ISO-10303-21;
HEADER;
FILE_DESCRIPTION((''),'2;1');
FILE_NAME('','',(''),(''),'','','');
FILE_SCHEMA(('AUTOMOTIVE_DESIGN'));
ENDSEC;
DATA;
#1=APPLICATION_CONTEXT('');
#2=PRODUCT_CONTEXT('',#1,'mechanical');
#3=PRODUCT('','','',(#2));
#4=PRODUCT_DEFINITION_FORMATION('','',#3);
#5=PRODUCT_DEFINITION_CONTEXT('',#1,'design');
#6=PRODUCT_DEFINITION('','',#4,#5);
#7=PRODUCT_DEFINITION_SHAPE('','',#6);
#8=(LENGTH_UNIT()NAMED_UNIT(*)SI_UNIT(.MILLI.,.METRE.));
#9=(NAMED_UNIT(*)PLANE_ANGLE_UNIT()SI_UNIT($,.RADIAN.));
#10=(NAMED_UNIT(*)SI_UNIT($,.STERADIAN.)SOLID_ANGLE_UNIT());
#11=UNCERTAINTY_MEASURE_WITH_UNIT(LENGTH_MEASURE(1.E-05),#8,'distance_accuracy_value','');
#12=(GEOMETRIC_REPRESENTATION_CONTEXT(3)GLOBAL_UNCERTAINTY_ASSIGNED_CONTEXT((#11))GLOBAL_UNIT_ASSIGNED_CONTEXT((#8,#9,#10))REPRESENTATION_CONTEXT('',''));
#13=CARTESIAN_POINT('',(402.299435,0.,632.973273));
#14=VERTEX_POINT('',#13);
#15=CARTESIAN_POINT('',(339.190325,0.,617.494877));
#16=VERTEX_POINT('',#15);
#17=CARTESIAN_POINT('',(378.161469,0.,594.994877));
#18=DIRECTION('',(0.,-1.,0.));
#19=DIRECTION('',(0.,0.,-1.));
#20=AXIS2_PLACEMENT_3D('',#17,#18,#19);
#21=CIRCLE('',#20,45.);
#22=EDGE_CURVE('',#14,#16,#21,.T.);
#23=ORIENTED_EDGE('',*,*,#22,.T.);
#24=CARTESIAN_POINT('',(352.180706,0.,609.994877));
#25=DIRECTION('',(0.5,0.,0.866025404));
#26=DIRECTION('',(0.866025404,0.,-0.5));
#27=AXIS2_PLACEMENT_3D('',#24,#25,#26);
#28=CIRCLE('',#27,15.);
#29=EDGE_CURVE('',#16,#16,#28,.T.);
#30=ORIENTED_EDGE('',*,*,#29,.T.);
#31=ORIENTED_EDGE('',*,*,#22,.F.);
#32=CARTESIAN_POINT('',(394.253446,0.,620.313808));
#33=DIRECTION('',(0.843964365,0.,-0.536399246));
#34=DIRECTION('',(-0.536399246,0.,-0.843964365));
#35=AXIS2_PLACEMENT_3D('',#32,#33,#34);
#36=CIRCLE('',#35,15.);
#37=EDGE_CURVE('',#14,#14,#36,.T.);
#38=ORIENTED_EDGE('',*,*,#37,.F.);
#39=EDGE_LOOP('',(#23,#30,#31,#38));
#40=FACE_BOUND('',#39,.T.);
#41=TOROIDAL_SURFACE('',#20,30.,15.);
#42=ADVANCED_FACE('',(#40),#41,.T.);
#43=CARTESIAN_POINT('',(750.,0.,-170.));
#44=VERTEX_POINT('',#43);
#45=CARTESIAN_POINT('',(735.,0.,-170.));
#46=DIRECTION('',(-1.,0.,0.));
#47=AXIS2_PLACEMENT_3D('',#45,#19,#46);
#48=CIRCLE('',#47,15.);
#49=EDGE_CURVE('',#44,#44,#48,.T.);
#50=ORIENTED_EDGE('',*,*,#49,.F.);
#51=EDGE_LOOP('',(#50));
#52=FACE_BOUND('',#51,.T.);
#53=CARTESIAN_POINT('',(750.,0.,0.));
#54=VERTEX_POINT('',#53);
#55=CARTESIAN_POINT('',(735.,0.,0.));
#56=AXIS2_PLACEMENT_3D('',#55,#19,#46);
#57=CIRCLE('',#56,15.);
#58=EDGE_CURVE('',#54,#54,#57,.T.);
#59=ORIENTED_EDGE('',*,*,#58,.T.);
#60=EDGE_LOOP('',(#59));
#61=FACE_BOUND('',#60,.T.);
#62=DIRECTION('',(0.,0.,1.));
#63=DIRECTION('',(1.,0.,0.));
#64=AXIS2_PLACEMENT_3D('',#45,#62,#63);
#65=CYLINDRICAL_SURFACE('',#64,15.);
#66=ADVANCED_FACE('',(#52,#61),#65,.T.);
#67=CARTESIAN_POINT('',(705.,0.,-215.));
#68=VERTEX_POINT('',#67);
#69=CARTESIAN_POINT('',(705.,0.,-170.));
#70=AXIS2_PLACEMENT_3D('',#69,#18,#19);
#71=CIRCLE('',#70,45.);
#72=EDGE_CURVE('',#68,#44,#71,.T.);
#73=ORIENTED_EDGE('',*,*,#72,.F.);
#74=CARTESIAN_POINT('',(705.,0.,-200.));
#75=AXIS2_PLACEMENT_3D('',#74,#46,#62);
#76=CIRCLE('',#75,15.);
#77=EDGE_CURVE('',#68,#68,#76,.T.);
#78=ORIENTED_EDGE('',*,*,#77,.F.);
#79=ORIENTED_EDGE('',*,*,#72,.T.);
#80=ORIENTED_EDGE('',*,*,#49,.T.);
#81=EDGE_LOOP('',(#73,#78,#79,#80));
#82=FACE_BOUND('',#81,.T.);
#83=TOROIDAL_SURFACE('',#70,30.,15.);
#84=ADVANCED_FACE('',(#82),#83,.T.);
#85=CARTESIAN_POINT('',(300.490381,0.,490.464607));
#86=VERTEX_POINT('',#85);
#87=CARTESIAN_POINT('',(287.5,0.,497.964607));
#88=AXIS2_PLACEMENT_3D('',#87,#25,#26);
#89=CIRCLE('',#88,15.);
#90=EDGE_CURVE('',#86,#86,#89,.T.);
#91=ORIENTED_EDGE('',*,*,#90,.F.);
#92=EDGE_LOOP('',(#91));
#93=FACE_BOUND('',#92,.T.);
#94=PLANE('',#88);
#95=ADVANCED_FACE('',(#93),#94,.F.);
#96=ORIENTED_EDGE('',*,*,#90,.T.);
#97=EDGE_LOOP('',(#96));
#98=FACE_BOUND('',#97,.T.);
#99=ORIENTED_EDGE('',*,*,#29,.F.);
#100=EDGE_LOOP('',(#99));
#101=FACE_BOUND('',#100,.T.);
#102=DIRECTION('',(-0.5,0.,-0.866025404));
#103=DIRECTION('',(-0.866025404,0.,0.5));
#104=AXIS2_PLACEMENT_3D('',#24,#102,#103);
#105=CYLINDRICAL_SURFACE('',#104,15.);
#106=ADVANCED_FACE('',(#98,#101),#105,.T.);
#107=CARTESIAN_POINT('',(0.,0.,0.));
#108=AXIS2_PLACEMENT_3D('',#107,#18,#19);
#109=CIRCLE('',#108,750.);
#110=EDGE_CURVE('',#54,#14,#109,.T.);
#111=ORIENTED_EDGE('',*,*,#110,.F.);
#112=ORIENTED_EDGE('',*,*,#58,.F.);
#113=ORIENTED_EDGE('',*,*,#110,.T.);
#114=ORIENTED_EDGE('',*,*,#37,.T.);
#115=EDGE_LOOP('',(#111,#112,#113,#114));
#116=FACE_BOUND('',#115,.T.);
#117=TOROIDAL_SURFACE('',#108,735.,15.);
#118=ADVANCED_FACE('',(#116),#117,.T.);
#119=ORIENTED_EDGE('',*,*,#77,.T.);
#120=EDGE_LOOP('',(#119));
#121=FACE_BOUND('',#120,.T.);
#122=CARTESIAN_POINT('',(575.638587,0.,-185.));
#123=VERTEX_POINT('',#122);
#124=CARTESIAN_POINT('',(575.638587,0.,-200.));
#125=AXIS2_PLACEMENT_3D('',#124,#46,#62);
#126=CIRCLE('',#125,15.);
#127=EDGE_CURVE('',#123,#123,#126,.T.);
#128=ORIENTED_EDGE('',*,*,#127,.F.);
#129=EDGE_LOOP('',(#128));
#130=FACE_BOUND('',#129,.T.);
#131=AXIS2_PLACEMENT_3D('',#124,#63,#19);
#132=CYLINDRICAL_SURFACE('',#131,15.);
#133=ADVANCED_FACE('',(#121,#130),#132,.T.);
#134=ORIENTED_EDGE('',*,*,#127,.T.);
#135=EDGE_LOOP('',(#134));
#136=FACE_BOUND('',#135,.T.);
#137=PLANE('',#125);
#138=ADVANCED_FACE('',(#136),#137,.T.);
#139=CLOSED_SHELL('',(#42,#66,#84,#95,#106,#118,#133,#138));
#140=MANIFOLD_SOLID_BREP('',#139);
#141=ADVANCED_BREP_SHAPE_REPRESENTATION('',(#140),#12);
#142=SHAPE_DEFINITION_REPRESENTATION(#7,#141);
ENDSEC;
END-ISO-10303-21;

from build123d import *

# Parameters (mm, degrees)
CROSS_SECTION_SKETCH_R = 15


with BuildPart() as part:
    # Bar Sweep: sweep along a path in Overhead Sketch
    with BuildLine(Plane(origin=(0, 0, 0), x_dir=(1, 0, 0), z_dir=(0, 1, 0))) as bar_sweep_path:
        Line((575.638587088, 200), (705, 200))
        ThreePointArc((705, 200), (726.213203436, 191.213203436), (735, 170))
        Line((735, 170), (735, 0))
        ThreePointArc((735, 0), (644.20543415, -353.870539338), (394.253445956, -620.313807965))
        ThreePointArc((394.253445956, -620.313807965), (371.015343762, -624.131330145), (352.180706456, -609.994877028))
        Line((352.180706456, -609.994877028), (287.5, -497.964607176))
    # Cross Section Sketch → Bar Sweep (sweep)
    with BuildSketch(Plane.ZY.offset(-575.638587088)):
        with Locations((-200, 0)):
            Circle(CROSS_SECTION_SKETCH_R)
    sweep(path=bar_sweep_path.line)


solid = part.part
